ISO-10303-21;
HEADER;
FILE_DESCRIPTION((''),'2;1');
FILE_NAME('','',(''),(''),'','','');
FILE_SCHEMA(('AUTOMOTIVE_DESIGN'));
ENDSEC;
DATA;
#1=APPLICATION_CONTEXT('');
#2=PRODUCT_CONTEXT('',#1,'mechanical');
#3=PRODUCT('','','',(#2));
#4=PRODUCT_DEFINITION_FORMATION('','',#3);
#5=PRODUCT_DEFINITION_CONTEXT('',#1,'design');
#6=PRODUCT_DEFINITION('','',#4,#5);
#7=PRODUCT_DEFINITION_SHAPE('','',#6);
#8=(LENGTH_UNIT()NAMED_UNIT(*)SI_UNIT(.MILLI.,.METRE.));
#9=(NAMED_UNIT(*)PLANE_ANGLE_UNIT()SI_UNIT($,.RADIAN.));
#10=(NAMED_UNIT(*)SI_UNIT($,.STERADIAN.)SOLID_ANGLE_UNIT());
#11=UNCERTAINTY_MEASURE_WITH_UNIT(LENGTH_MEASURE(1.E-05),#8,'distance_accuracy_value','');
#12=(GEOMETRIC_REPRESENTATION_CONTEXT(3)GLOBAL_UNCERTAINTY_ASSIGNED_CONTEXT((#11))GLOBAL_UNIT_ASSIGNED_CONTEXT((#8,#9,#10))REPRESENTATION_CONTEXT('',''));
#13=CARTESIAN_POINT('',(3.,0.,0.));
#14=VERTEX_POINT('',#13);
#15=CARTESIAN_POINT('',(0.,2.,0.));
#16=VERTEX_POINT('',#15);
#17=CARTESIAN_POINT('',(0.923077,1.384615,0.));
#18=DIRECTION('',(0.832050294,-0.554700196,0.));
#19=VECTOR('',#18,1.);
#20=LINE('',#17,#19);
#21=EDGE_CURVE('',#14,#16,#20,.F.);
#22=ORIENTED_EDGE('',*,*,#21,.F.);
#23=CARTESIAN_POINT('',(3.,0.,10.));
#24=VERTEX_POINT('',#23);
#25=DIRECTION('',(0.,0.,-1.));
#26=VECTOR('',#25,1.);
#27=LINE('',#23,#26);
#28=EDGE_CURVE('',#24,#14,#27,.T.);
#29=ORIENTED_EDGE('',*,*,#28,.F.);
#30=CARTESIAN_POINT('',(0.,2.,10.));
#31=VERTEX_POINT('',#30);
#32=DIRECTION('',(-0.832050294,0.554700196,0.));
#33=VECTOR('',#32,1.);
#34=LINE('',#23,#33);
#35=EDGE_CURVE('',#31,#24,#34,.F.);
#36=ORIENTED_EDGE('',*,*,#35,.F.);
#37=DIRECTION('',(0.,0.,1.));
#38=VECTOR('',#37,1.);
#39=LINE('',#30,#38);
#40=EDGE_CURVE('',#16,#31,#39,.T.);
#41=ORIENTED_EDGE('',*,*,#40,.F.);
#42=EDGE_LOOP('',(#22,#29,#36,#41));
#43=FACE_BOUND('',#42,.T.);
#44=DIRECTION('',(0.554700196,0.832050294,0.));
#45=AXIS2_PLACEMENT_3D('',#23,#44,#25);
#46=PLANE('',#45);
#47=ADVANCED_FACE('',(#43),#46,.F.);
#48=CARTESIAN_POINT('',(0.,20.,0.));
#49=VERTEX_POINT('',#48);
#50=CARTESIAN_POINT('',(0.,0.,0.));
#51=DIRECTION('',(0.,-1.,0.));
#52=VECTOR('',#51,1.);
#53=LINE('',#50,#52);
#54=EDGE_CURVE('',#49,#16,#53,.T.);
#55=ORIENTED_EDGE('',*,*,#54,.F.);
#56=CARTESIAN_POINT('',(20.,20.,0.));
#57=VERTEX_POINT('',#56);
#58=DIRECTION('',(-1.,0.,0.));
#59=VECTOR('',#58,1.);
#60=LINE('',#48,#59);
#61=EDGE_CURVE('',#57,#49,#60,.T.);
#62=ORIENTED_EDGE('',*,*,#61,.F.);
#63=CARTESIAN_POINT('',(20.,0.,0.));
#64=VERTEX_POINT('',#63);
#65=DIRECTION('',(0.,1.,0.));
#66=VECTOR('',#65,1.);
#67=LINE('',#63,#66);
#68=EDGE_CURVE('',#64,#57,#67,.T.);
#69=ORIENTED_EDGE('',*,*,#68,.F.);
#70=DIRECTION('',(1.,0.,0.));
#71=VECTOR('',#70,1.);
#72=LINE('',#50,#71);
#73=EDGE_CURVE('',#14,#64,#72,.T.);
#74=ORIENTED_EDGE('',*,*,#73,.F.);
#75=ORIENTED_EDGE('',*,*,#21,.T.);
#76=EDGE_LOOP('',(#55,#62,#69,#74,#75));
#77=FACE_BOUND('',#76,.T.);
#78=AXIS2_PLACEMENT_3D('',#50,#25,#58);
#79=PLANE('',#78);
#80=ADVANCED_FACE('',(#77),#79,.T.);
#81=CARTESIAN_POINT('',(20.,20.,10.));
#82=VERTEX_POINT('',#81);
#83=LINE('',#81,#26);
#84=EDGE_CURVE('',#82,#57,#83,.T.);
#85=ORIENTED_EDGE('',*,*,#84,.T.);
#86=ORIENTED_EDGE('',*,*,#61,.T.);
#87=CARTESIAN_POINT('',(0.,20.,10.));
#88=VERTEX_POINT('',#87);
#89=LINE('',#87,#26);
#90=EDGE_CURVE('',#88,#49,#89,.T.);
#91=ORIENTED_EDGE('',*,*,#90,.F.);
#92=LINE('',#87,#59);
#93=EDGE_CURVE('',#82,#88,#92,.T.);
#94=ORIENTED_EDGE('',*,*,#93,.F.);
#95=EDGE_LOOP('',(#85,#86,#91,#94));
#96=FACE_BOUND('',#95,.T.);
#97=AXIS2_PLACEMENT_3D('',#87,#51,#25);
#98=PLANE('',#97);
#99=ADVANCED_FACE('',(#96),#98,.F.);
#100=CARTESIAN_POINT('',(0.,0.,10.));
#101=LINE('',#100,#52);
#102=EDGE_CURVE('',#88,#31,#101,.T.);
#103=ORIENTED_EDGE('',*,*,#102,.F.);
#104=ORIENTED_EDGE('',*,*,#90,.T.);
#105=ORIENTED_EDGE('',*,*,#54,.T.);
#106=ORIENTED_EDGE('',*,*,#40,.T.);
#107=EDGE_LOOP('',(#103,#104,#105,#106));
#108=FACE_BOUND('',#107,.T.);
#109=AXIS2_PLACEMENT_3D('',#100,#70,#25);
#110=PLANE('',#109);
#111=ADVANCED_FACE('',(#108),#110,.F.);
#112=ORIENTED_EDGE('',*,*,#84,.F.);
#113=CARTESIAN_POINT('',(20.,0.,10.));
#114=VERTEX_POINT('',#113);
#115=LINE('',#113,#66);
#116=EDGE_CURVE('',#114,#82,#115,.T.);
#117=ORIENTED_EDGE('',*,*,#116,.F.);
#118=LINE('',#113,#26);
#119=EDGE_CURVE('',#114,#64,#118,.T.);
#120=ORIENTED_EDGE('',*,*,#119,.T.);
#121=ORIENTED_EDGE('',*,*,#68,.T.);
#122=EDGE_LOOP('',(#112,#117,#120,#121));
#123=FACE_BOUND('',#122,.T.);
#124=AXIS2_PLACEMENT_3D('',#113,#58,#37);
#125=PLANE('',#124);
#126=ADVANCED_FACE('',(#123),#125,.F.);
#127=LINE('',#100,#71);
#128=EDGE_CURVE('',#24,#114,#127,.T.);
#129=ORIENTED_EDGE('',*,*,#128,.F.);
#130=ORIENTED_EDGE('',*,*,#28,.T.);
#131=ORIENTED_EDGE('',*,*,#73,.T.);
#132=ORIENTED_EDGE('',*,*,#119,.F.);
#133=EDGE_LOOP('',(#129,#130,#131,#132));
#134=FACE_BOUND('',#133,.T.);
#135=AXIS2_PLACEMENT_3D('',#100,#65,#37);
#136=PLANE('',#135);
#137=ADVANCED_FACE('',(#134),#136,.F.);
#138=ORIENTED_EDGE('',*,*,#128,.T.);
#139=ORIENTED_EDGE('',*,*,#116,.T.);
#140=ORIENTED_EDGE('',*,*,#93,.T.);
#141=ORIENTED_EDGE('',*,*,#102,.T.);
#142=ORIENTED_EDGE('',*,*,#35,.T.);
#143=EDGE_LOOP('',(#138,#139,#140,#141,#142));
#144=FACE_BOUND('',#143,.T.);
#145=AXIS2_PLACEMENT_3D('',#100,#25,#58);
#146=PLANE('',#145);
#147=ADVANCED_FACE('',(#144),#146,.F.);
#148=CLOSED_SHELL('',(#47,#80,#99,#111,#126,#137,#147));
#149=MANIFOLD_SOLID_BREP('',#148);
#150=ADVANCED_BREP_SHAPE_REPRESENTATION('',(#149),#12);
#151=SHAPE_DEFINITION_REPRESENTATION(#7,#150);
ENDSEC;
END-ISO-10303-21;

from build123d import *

# Parameters (mm, degrees)
SKETCH_1_W                    = 20
SKETCH_1_H                    = 20
BASEBOX_DEPTH                 = 10
CHAMFERDISTANCEDISTANCE_SIZE  = 2
CHAMFERDISTANCEDISTANCE_SIZE2 = 3


with BuildPart() as part:
    # 草图1 → BaseBox (new body)
    with BuildSketch(Plane.XY):
        with Locations((10, 10)):
            Rectangle(SKETCH_1_W, SKETCH_1_H)
    extrude(amount=BASEBOX_DEPTH)

    # ChamferDistanceDistance
    chamferdistancedistance_edges = [part.edges().sort_by_distance(p)[0] for p in [
        (0, 0, 5),
    ]]
    chamferdistancedistance_side = [part.faces().sort_by_distance(p)[0] for p in [
        (0, 10, 5),
    ]]
    chamfer(chamferdistancedistance_edges, length=CHAMFERDISTANCEDISTANCE_SIZE, length2=CHAMFERDISTANCEDISTANCE_SIZE2, reference=chamferdistancedistance_side[0])


solid = part.part
